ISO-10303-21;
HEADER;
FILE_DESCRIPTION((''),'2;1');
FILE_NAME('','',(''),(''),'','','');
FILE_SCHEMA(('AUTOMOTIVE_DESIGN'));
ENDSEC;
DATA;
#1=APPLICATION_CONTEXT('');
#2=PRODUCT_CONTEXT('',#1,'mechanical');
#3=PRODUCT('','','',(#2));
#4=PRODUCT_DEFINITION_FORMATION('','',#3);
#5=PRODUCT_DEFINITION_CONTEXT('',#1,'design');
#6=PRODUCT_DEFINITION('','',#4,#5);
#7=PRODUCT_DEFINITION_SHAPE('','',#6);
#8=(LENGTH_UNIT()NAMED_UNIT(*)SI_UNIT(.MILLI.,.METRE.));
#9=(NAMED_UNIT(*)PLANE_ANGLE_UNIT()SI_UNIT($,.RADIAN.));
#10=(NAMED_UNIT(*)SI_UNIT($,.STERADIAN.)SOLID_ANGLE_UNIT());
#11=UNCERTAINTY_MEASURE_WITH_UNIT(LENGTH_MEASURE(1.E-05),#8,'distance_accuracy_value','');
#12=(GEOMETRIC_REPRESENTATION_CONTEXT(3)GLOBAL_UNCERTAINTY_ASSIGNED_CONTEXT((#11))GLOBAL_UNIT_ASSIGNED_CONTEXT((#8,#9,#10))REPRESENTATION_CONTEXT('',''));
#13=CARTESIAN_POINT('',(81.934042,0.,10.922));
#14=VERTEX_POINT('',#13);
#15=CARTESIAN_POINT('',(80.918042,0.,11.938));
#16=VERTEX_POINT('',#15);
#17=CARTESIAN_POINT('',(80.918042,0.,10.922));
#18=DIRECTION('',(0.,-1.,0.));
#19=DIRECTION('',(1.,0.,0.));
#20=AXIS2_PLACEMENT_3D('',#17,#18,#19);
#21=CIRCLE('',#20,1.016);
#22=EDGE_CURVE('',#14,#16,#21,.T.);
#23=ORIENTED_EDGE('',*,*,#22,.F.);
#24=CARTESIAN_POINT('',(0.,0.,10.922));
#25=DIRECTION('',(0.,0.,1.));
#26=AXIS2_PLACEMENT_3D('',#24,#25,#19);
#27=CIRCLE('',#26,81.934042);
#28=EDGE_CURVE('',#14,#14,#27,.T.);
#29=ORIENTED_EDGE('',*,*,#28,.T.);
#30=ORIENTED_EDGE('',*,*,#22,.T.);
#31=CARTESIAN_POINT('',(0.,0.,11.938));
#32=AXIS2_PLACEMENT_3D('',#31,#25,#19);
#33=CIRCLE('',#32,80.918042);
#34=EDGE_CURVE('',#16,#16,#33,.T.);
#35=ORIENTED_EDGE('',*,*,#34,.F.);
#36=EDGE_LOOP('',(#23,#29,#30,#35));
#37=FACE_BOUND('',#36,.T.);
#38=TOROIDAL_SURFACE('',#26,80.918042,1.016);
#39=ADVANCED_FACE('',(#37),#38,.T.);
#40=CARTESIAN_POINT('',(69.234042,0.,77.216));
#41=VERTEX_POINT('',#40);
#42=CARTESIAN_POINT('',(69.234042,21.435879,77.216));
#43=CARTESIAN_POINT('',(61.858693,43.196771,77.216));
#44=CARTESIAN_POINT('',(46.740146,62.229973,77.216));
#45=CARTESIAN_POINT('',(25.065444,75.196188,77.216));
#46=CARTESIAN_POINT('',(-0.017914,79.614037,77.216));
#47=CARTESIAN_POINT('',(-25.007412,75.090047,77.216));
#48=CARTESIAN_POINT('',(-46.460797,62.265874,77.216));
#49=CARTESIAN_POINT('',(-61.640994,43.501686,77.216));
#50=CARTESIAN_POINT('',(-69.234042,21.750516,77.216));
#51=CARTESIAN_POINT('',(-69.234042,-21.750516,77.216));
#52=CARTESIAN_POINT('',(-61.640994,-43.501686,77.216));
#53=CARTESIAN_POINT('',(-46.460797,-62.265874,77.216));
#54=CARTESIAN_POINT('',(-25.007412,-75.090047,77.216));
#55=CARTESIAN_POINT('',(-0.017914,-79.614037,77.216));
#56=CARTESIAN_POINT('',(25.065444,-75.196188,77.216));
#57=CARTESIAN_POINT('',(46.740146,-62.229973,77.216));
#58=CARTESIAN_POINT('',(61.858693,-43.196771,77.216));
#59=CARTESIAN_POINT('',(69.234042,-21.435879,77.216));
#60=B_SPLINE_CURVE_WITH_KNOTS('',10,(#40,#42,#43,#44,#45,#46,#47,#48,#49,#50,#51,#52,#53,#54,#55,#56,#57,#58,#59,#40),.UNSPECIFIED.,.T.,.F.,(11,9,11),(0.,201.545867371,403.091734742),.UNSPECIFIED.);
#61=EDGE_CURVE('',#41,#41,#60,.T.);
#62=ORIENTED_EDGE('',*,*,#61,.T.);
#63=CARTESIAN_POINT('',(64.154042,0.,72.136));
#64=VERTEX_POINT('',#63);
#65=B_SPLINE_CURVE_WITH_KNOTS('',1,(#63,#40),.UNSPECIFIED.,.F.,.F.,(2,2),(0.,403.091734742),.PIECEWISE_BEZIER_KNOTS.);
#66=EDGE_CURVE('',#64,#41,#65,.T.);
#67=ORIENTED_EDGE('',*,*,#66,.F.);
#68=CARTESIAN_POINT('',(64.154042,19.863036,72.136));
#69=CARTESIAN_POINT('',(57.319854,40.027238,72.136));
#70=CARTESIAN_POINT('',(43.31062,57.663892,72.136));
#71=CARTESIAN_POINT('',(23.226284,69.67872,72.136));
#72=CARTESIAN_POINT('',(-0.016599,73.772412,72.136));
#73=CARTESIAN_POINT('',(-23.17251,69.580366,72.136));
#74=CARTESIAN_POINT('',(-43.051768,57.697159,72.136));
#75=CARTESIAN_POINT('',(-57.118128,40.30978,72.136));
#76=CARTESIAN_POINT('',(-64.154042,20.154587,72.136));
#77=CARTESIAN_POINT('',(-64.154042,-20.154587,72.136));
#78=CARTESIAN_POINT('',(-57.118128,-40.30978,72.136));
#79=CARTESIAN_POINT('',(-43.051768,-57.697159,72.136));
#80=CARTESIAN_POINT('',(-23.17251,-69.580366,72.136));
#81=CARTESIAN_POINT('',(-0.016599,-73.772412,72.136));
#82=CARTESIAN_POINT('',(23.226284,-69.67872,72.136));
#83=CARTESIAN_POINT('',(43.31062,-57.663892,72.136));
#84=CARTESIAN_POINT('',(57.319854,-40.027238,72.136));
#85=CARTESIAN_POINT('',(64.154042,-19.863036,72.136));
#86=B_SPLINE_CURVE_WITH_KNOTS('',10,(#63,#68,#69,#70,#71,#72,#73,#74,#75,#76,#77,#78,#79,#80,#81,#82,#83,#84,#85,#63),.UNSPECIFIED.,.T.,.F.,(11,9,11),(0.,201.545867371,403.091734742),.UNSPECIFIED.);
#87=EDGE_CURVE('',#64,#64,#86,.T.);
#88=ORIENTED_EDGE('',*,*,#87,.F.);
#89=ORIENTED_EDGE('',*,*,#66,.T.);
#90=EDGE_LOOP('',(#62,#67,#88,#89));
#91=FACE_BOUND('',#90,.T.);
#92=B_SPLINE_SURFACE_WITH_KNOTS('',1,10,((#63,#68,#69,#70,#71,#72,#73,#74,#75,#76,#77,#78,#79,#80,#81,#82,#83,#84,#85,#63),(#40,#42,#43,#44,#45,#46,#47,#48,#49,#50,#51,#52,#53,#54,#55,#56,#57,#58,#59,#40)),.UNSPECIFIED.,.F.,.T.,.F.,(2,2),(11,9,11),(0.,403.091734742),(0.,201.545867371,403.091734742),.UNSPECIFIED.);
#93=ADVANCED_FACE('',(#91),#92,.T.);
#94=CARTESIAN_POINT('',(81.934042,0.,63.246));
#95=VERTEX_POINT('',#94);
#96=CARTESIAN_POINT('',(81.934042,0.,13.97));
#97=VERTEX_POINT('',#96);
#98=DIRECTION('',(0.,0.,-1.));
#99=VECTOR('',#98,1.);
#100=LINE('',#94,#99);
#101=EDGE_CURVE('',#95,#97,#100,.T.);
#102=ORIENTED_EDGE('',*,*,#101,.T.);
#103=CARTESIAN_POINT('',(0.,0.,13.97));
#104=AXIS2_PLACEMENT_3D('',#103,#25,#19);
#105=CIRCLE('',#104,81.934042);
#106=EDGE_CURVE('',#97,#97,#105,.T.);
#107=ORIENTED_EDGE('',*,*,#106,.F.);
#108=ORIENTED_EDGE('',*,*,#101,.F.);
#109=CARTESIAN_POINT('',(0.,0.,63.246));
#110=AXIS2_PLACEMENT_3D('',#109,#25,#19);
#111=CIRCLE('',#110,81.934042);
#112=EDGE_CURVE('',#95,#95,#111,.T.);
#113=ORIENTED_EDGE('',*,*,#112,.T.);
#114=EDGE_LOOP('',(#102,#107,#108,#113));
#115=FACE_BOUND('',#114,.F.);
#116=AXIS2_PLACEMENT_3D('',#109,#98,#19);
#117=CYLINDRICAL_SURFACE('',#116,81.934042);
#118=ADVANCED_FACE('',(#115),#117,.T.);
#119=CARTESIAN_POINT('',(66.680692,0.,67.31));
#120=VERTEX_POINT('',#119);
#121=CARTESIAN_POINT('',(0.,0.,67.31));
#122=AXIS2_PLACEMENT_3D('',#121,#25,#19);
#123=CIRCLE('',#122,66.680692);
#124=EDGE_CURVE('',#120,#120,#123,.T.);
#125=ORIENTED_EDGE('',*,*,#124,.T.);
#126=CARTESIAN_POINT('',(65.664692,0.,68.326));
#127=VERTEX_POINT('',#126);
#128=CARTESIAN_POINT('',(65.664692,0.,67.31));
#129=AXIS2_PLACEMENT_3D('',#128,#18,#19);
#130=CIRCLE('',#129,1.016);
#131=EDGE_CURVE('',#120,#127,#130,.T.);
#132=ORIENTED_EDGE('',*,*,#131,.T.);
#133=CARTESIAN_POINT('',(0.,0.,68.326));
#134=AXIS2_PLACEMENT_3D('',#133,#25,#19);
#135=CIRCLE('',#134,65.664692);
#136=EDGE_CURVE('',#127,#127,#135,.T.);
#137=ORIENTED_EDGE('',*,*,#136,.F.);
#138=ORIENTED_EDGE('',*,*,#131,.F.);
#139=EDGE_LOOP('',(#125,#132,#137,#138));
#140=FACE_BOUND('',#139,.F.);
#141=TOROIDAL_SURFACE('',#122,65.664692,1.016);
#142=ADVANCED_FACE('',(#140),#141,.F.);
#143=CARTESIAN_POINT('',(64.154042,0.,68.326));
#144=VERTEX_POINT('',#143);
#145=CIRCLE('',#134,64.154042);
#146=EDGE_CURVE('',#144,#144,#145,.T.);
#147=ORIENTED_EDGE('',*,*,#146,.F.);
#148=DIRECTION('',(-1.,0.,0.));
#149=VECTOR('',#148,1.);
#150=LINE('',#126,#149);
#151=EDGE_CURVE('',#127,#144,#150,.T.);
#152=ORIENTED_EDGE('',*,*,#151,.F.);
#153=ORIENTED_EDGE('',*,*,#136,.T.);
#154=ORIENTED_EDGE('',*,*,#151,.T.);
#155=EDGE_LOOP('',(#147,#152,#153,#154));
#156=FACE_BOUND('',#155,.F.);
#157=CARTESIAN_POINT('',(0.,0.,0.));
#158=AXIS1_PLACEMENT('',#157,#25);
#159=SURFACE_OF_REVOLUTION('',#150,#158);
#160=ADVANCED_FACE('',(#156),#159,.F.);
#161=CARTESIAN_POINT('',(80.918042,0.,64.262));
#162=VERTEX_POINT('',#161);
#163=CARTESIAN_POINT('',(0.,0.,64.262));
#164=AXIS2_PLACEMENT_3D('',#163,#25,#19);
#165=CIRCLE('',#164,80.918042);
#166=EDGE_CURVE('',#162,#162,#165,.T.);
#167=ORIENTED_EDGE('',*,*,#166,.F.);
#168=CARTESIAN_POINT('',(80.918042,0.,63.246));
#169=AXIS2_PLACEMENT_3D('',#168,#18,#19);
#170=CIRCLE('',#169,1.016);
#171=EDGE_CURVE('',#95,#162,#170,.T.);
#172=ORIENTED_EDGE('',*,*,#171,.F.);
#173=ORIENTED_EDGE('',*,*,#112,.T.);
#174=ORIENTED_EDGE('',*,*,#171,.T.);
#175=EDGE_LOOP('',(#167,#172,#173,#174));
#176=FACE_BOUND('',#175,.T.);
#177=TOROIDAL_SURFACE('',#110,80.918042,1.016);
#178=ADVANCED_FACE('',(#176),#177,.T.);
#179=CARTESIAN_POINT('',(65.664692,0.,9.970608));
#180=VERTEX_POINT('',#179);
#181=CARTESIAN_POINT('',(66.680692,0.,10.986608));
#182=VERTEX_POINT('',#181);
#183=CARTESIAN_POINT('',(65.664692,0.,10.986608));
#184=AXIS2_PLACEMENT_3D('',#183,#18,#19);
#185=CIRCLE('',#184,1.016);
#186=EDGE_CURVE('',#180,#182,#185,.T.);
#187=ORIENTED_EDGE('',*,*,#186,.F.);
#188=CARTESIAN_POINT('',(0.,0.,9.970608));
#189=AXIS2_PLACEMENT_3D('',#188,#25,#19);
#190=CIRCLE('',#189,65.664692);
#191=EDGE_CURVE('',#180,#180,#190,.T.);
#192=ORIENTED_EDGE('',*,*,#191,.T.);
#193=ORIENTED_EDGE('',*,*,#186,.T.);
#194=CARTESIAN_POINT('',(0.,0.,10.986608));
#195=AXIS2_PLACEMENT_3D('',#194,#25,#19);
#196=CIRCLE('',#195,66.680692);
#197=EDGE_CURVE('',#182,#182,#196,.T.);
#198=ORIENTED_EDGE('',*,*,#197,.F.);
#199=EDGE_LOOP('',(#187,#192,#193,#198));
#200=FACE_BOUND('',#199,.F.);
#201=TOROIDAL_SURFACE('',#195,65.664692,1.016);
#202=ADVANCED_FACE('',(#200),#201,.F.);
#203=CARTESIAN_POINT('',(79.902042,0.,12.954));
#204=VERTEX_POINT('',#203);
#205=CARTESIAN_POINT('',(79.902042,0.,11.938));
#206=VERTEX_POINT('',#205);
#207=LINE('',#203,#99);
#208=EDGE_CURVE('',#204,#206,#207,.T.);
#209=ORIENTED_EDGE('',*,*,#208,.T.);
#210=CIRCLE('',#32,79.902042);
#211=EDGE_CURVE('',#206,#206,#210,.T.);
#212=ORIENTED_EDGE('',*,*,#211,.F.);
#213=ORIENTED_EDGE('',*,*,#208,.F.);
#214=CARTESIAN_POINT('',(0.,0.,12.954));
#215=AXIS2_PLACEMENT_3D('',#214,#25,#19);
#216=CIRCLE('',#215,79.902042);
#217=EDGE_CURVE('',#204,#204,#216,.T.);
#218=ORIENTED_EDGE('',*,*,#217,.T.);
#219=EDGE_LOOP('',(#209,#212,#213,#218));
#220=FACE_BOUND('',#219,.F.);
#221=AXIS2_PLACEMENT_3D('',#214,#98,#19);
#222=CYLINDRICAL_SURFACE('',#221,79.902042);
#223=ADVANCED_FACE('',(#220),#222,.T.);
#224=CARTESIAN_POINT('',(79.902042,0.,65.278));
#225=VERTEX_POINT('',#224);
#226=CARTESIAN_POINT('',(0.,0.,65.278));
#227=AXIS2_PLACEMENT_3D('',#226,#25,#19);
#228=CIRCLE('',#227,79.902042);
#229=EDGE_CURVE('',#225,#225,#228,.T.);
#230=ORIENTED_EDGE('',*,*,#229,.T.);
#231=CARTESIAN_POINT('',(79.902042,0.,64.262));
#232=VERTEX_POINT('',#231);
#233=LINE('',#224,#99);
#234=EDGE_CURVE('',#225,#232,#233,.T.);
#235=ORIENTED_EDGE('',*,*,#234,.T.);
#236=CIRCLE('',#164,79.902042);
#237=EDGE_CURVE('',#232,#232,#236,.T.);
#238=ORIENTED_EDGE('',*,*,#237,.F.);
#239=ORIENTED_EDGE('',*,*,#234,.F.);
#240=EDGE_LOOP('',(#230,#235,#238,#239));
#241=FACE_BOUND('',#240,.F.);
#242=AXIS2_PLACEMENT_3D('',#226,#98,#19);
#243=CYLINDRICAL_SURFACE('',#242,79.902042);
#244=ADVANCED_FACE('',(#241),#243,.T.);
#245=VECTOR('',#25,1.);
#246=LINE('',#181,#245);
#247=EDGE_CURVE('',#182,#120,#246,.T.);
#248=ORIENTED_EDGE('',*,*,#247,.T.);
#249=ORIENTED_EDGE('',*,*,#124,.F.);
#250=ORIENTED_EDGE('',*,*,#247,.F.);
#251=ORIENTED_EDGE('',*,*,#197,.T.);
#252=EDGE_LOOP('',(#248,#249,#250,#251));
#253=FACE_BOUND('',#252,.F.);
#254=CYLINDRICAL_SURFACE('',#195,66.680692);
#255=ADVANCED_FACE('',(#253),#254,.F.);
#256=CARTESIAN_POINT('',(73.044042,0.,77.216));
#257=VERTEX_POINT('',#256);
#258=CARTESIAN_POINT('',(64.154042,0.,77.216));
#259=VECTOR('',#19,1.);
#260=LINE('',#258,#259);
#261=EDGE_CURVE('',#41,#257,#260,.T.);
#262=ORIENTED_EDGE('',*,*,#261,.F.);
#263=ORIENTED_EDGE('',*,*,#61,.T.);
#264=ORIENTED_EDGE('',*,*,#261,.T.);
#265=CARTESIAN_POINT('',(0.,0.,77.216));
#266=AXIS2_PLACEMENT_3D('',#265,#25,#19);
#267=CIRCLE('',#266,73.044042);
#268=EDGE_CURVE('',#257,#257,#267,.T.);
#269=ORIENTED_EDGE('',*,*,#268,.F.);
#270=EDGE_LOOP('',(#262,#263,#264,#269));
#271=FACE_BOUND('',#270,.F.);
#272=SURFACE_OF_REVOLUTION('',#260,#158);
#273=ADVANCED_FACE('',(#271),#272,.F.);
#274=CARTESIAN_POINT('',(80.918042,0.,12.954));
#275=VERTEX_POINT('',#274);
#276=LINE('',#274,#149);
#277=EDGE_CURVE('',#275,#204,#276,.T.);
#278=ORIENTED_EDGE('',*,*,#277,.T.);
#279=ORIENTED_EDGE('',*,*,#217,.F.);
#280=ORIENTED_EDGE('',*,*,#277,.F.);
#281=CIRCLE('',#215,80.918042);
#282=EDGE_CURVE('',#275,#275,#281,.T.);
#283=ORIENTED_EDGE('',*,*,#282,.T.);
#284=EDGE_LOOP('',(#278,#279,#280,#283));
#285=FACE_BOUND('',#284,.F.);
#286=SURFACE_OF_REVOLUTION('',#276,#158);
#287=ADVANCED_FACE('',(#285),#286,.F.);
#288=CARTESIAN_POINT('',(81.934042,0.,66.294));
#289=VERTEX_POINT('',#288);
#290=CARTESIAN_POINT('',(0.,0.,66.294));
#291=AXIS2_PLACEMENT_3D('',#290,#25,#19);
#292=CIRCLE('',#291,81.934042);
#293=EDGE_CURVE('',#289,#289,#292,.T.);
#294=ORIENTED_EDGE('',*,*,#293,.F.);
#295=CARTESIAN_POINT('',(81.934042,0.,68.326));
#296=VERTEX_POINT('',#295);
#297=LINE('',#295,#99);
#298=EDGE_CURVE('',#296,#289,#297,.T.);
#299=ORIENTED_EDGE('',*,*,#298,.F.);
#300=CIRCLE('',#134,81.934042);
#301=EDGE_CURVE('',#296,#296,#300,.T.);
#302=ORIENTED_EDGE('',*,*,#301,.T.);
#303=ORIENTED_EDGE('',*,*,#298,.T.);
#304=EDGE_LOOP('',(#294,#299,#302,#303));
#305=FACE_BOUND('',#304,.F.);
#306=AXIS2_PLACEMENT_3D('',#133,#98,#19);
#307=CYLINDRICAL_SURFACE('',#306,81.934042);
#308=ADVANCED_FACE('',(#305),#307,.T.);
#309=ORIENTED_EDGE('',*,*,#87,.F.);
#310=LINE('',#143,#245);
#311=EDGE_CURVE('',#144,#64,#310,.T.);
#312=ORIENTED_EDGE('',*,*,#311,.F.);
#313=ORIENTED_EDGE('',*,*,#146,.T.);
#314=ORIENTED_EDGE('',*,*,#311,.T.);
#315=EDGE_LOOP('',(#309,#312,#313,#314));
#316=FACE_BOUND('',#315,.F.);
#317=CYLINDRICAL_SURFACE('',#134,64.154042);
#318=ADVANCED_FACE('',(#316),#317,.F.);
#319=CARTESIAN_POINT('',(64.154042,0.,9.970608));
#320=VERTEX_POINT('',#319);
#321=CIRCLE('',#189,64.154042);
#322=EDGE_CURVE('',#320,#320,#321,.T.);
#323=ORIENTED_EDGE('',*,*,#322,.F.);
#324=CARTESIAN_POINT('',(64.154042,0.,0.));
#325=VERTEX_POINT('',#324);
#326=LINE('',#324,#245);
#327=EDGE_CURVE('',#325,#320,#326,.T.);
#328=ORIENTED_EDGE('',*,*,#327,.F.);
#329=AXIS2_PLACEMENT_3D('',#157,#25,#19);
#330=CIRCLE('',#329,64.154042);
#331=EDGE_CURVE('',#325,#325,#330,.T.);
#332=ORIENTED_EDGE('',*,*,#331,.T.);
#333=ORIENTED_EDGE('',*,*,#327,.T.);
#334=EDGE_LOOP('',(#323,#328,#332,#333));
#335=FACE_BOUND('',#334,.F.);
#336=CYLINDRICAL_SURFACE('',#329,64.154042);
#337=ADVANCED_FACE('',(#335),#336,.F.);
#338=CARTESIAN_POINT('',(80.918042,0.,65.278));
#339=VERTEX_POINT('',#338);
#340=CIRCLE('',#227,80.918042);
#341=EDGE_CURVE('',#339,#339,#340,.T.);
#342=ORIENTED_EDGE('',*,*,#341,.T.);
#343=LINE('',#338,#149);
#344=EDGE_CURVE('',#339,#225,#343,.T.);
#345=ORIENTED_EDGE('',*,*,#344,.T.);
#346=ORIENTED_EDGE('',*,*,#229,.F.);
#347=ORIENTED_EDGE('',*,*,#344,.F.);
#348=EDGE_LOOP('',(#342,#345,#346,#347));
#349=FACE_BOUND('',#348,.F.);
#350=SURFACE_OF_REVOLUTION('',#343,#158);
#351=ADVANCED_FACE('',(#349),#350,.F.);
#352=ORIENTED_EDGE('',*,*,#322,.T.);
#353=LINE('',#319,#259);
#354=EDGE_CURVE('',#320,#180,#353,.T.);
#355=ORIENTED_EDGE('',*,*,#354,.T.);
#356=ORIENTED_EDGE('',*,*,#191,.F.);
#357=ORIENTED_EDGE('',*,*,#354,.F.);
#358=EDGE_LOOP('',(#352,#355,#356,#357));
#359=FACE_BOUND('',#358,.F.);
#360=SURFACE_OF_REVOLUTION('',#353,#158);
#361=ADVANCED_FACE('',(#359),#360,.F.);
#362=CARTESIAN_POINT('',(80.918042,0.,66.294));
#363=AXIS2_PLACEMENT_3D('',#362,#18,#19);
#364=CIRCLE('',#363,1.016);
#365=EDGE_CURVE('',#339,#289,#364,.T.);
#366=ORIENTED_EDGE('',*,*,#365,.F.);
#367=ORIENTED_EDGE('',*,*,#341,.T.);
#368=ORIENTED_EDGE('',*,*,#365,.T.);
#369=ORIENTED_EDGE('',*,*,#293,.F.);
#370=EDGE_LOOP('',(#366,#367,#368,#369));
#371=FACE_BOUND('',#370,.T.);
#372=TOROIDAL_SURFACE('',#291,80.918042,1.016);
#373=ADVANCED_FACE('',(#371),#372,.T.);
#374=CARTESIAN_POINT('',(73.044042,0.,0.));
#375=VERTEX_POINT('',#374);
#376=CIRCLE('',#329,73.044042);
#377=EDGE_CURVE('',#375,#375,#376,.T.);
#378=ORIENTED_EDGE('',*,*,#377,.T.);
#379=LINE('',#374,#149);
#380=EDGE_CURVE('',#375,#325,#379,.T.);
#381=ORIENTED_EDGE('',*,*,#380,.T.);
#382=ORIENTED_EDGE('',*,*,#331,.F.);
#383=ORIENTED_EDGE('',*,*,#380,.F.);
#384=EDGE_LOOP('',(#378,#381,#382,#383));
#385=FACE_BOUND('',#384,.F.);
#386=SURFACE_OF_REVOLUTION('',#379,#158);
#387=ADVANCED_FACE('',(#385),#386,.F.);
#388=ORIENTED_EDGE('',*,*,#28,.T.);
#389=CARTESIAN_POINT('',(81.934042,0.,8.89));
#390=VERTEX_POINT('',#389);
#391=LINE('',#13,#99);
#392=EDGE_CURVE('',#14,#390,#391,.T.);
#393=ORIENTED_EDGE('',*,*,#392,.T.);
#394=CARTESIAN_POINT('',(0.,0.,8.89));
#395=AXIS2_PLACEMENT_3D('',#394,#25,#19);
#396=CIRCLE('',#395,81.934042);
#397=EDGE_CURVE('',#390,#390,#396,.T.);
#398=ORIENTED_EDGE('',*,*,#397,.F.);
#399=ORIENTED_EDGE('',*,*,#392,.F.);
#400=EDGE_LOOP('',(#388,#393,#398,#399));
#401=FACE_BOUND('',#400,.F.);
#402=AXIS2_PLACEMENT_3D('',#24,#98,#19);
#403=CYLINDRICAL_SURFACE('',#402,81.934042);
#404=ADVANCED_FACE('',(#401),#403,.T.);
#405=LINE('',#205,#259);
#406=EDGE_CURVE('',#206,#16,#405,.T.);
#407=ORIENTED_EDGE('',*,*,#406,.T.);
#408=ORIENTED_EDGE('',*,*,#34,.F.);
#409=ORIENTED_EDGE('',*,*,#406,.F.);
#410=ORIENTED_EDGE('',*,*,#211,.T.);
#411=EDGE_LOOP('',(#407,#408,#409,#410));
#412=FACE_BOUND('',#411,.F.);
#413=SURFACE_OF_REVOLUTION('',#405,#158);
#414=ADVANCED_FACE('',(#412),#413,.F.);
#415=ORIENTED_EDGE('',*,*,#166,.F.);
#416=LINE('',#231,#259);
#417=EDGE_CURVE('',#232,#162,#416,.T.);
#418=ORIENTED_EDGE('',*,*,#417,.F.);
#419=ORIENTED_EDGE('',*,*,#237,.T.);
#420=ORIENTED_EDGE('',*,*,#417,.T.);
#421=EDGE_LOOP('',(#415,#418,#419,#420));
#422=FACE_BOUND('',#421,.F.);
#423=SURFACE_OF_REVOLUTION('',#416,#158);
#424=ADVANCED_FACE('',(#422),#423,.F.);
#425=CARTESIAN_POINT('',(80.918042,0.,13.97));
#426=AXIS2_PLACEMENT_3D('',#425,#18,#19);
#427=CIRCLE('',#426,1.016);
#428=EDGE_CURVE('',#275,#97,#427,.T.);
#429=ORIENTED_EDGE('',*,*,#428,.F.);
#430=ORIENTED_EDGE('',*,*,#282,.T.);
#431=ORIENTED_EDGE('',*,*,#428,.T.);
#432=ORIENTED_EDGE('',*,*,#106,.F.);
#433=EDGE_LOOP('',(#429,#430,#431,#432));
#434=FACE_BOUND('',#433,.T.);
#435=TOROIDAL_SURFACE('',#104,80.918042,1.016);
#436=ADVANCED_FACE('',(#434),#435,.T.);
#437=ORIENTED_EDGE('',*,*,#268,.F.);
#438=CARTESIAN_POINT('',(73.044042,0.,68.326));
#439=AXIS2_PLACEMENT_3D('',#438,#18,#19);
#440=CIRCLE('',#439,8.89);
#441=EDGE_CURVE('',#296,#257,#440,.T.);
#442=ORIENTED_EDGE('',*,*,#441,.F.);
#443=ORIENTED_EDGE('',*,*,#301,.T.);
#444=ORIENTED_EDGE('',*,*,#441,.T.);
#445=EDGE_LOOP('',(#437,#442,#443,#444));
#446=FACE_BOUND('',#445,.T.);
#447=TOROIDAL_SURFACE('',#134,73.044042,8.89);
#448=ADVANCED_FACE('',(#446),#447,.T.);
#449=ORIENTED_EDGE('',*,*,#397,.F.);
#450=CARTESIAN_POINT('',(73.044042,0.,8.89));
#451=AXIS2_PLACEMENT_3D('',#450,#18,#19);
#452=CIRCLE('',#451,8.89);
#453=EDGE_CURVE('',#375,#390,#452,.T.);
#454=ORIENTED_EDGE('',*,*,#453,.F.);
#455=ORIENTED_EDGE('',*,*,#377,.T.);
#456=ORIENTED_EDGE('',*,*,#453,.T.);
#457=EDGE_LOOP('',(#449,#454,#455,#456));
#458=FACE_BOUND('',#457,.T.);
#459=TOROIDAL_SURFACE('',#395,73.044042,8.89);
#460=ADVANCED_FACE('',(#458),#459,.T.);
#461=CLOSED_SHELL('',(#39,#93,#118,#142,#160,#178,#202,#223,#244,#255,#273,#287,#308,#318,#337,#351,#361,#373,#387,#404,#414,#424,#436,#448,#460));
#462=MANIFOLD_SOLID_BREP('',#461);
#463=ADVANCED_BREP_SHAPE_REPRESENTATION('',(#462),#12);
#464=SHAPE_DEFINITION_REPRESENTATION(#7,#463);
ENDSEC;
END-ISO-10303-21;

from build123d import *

# Parameters (mm, degrees)
F3_SIZE = 5.08


with BuildPart() as f2:
    # F2: sweep along a path in F0
    with BuildLine(Plane.XY) as f2_path:
        CenterArc((0, 0), 82.55, 0, 360)
    # F1 (on Front) → F2 (sweep)
    with BuildSketch(Plane.XZ):
        with BuildLine():
            ThreePointArc((-81.9340421036, 8.89), (-79.3302213883, 2.6038207153), (-73.0440421036, 0))
            Line((-73.0440421036, 0), (-64.1540421036, 0))
            Line((-64.1540421036, 0), (-64.1540421036, 9.9706078816))
            Line((-64.1540421036, 9.9706078816), (-65.6646921363, 9.9706078816))
            ThreePointArc((-65.6646921363, 9.9706078816), (-66.383112626, 10.2681873919), (-66.6806921363, 10.9866078816))
            Line((-66.6806921363, 10.9866078816), (-66.6806921363, 67.31))
            ThreePointArc((-66.6806921363, 67.31), (-66.383112626, 68.0284204897), (-65.6646921363, 68.326))
            Line((-65.6646921363, 68.326), (-64.1540421036, 68.326))
            Line((-64.1540421036, 68.326), (-64.1540421036, 77.216))
            Line((-64.1540421036, 77.216), (-73.0440421036, 77.216))
            ThreePointArc((-73.0440421036, 77.216), (-79.3302213883, 74.6121792847), (-81.9340421036, 68.326))
            Line((-81.9340421036, 68.326), (-81.9340421036, 66.294))
            ThreePointArc((-81.9340421036, 66.294), (-81.6364625932, 65.5755795103), (-80.9180421036, 65.278))
            Line((-80.9180421036, 65.278), (-79.9020421036, 65.278))
            Line((-79.9020421036, 65.278), (-79.9020421036, 64.262))
            Line((-79.9020421036, 64.262), (-80.9180421036, 64.262))
            ThreePointArc((-80.9180421036, 64.262), (-81.6364625932, 63.9644204897), (-81.9340421036, 63.246))
            Line((-81.9340421036, 63.246), (-81.9340421036, 13.97))
            ThreePointArc((-81.9340421036, 13.97), (-81.6364625932, 13.2515795103), (-80.9180421036, 12.954))
            Line((-80.9180421036, 12.954), (-79.9020421036, 12.954))
            Line((-79.9020421036, 12.954), (-79.9020421036, 11.938))
            Line((-79.9020421036, 11.938), (-80.9180421036, 11.938))
            ThreePointArc((-80.9180421036, 11.938), (-81.6364625932, 11.6404204897), (-81.9340421036, 10.922))
            Line((-81.9340421036, 10.922), (-81.9340421036, 8.89))
        make_face()
    sweep(path=f2_path.line)

    # F3
    f3_edges = [f2.edges().sort_by_distance(p)[0] for p in [
        (-64.154042, 0, 77.216),
    ]]
    chamfer(f3_edges, length=F3_SIZE)


solid = f2.part
